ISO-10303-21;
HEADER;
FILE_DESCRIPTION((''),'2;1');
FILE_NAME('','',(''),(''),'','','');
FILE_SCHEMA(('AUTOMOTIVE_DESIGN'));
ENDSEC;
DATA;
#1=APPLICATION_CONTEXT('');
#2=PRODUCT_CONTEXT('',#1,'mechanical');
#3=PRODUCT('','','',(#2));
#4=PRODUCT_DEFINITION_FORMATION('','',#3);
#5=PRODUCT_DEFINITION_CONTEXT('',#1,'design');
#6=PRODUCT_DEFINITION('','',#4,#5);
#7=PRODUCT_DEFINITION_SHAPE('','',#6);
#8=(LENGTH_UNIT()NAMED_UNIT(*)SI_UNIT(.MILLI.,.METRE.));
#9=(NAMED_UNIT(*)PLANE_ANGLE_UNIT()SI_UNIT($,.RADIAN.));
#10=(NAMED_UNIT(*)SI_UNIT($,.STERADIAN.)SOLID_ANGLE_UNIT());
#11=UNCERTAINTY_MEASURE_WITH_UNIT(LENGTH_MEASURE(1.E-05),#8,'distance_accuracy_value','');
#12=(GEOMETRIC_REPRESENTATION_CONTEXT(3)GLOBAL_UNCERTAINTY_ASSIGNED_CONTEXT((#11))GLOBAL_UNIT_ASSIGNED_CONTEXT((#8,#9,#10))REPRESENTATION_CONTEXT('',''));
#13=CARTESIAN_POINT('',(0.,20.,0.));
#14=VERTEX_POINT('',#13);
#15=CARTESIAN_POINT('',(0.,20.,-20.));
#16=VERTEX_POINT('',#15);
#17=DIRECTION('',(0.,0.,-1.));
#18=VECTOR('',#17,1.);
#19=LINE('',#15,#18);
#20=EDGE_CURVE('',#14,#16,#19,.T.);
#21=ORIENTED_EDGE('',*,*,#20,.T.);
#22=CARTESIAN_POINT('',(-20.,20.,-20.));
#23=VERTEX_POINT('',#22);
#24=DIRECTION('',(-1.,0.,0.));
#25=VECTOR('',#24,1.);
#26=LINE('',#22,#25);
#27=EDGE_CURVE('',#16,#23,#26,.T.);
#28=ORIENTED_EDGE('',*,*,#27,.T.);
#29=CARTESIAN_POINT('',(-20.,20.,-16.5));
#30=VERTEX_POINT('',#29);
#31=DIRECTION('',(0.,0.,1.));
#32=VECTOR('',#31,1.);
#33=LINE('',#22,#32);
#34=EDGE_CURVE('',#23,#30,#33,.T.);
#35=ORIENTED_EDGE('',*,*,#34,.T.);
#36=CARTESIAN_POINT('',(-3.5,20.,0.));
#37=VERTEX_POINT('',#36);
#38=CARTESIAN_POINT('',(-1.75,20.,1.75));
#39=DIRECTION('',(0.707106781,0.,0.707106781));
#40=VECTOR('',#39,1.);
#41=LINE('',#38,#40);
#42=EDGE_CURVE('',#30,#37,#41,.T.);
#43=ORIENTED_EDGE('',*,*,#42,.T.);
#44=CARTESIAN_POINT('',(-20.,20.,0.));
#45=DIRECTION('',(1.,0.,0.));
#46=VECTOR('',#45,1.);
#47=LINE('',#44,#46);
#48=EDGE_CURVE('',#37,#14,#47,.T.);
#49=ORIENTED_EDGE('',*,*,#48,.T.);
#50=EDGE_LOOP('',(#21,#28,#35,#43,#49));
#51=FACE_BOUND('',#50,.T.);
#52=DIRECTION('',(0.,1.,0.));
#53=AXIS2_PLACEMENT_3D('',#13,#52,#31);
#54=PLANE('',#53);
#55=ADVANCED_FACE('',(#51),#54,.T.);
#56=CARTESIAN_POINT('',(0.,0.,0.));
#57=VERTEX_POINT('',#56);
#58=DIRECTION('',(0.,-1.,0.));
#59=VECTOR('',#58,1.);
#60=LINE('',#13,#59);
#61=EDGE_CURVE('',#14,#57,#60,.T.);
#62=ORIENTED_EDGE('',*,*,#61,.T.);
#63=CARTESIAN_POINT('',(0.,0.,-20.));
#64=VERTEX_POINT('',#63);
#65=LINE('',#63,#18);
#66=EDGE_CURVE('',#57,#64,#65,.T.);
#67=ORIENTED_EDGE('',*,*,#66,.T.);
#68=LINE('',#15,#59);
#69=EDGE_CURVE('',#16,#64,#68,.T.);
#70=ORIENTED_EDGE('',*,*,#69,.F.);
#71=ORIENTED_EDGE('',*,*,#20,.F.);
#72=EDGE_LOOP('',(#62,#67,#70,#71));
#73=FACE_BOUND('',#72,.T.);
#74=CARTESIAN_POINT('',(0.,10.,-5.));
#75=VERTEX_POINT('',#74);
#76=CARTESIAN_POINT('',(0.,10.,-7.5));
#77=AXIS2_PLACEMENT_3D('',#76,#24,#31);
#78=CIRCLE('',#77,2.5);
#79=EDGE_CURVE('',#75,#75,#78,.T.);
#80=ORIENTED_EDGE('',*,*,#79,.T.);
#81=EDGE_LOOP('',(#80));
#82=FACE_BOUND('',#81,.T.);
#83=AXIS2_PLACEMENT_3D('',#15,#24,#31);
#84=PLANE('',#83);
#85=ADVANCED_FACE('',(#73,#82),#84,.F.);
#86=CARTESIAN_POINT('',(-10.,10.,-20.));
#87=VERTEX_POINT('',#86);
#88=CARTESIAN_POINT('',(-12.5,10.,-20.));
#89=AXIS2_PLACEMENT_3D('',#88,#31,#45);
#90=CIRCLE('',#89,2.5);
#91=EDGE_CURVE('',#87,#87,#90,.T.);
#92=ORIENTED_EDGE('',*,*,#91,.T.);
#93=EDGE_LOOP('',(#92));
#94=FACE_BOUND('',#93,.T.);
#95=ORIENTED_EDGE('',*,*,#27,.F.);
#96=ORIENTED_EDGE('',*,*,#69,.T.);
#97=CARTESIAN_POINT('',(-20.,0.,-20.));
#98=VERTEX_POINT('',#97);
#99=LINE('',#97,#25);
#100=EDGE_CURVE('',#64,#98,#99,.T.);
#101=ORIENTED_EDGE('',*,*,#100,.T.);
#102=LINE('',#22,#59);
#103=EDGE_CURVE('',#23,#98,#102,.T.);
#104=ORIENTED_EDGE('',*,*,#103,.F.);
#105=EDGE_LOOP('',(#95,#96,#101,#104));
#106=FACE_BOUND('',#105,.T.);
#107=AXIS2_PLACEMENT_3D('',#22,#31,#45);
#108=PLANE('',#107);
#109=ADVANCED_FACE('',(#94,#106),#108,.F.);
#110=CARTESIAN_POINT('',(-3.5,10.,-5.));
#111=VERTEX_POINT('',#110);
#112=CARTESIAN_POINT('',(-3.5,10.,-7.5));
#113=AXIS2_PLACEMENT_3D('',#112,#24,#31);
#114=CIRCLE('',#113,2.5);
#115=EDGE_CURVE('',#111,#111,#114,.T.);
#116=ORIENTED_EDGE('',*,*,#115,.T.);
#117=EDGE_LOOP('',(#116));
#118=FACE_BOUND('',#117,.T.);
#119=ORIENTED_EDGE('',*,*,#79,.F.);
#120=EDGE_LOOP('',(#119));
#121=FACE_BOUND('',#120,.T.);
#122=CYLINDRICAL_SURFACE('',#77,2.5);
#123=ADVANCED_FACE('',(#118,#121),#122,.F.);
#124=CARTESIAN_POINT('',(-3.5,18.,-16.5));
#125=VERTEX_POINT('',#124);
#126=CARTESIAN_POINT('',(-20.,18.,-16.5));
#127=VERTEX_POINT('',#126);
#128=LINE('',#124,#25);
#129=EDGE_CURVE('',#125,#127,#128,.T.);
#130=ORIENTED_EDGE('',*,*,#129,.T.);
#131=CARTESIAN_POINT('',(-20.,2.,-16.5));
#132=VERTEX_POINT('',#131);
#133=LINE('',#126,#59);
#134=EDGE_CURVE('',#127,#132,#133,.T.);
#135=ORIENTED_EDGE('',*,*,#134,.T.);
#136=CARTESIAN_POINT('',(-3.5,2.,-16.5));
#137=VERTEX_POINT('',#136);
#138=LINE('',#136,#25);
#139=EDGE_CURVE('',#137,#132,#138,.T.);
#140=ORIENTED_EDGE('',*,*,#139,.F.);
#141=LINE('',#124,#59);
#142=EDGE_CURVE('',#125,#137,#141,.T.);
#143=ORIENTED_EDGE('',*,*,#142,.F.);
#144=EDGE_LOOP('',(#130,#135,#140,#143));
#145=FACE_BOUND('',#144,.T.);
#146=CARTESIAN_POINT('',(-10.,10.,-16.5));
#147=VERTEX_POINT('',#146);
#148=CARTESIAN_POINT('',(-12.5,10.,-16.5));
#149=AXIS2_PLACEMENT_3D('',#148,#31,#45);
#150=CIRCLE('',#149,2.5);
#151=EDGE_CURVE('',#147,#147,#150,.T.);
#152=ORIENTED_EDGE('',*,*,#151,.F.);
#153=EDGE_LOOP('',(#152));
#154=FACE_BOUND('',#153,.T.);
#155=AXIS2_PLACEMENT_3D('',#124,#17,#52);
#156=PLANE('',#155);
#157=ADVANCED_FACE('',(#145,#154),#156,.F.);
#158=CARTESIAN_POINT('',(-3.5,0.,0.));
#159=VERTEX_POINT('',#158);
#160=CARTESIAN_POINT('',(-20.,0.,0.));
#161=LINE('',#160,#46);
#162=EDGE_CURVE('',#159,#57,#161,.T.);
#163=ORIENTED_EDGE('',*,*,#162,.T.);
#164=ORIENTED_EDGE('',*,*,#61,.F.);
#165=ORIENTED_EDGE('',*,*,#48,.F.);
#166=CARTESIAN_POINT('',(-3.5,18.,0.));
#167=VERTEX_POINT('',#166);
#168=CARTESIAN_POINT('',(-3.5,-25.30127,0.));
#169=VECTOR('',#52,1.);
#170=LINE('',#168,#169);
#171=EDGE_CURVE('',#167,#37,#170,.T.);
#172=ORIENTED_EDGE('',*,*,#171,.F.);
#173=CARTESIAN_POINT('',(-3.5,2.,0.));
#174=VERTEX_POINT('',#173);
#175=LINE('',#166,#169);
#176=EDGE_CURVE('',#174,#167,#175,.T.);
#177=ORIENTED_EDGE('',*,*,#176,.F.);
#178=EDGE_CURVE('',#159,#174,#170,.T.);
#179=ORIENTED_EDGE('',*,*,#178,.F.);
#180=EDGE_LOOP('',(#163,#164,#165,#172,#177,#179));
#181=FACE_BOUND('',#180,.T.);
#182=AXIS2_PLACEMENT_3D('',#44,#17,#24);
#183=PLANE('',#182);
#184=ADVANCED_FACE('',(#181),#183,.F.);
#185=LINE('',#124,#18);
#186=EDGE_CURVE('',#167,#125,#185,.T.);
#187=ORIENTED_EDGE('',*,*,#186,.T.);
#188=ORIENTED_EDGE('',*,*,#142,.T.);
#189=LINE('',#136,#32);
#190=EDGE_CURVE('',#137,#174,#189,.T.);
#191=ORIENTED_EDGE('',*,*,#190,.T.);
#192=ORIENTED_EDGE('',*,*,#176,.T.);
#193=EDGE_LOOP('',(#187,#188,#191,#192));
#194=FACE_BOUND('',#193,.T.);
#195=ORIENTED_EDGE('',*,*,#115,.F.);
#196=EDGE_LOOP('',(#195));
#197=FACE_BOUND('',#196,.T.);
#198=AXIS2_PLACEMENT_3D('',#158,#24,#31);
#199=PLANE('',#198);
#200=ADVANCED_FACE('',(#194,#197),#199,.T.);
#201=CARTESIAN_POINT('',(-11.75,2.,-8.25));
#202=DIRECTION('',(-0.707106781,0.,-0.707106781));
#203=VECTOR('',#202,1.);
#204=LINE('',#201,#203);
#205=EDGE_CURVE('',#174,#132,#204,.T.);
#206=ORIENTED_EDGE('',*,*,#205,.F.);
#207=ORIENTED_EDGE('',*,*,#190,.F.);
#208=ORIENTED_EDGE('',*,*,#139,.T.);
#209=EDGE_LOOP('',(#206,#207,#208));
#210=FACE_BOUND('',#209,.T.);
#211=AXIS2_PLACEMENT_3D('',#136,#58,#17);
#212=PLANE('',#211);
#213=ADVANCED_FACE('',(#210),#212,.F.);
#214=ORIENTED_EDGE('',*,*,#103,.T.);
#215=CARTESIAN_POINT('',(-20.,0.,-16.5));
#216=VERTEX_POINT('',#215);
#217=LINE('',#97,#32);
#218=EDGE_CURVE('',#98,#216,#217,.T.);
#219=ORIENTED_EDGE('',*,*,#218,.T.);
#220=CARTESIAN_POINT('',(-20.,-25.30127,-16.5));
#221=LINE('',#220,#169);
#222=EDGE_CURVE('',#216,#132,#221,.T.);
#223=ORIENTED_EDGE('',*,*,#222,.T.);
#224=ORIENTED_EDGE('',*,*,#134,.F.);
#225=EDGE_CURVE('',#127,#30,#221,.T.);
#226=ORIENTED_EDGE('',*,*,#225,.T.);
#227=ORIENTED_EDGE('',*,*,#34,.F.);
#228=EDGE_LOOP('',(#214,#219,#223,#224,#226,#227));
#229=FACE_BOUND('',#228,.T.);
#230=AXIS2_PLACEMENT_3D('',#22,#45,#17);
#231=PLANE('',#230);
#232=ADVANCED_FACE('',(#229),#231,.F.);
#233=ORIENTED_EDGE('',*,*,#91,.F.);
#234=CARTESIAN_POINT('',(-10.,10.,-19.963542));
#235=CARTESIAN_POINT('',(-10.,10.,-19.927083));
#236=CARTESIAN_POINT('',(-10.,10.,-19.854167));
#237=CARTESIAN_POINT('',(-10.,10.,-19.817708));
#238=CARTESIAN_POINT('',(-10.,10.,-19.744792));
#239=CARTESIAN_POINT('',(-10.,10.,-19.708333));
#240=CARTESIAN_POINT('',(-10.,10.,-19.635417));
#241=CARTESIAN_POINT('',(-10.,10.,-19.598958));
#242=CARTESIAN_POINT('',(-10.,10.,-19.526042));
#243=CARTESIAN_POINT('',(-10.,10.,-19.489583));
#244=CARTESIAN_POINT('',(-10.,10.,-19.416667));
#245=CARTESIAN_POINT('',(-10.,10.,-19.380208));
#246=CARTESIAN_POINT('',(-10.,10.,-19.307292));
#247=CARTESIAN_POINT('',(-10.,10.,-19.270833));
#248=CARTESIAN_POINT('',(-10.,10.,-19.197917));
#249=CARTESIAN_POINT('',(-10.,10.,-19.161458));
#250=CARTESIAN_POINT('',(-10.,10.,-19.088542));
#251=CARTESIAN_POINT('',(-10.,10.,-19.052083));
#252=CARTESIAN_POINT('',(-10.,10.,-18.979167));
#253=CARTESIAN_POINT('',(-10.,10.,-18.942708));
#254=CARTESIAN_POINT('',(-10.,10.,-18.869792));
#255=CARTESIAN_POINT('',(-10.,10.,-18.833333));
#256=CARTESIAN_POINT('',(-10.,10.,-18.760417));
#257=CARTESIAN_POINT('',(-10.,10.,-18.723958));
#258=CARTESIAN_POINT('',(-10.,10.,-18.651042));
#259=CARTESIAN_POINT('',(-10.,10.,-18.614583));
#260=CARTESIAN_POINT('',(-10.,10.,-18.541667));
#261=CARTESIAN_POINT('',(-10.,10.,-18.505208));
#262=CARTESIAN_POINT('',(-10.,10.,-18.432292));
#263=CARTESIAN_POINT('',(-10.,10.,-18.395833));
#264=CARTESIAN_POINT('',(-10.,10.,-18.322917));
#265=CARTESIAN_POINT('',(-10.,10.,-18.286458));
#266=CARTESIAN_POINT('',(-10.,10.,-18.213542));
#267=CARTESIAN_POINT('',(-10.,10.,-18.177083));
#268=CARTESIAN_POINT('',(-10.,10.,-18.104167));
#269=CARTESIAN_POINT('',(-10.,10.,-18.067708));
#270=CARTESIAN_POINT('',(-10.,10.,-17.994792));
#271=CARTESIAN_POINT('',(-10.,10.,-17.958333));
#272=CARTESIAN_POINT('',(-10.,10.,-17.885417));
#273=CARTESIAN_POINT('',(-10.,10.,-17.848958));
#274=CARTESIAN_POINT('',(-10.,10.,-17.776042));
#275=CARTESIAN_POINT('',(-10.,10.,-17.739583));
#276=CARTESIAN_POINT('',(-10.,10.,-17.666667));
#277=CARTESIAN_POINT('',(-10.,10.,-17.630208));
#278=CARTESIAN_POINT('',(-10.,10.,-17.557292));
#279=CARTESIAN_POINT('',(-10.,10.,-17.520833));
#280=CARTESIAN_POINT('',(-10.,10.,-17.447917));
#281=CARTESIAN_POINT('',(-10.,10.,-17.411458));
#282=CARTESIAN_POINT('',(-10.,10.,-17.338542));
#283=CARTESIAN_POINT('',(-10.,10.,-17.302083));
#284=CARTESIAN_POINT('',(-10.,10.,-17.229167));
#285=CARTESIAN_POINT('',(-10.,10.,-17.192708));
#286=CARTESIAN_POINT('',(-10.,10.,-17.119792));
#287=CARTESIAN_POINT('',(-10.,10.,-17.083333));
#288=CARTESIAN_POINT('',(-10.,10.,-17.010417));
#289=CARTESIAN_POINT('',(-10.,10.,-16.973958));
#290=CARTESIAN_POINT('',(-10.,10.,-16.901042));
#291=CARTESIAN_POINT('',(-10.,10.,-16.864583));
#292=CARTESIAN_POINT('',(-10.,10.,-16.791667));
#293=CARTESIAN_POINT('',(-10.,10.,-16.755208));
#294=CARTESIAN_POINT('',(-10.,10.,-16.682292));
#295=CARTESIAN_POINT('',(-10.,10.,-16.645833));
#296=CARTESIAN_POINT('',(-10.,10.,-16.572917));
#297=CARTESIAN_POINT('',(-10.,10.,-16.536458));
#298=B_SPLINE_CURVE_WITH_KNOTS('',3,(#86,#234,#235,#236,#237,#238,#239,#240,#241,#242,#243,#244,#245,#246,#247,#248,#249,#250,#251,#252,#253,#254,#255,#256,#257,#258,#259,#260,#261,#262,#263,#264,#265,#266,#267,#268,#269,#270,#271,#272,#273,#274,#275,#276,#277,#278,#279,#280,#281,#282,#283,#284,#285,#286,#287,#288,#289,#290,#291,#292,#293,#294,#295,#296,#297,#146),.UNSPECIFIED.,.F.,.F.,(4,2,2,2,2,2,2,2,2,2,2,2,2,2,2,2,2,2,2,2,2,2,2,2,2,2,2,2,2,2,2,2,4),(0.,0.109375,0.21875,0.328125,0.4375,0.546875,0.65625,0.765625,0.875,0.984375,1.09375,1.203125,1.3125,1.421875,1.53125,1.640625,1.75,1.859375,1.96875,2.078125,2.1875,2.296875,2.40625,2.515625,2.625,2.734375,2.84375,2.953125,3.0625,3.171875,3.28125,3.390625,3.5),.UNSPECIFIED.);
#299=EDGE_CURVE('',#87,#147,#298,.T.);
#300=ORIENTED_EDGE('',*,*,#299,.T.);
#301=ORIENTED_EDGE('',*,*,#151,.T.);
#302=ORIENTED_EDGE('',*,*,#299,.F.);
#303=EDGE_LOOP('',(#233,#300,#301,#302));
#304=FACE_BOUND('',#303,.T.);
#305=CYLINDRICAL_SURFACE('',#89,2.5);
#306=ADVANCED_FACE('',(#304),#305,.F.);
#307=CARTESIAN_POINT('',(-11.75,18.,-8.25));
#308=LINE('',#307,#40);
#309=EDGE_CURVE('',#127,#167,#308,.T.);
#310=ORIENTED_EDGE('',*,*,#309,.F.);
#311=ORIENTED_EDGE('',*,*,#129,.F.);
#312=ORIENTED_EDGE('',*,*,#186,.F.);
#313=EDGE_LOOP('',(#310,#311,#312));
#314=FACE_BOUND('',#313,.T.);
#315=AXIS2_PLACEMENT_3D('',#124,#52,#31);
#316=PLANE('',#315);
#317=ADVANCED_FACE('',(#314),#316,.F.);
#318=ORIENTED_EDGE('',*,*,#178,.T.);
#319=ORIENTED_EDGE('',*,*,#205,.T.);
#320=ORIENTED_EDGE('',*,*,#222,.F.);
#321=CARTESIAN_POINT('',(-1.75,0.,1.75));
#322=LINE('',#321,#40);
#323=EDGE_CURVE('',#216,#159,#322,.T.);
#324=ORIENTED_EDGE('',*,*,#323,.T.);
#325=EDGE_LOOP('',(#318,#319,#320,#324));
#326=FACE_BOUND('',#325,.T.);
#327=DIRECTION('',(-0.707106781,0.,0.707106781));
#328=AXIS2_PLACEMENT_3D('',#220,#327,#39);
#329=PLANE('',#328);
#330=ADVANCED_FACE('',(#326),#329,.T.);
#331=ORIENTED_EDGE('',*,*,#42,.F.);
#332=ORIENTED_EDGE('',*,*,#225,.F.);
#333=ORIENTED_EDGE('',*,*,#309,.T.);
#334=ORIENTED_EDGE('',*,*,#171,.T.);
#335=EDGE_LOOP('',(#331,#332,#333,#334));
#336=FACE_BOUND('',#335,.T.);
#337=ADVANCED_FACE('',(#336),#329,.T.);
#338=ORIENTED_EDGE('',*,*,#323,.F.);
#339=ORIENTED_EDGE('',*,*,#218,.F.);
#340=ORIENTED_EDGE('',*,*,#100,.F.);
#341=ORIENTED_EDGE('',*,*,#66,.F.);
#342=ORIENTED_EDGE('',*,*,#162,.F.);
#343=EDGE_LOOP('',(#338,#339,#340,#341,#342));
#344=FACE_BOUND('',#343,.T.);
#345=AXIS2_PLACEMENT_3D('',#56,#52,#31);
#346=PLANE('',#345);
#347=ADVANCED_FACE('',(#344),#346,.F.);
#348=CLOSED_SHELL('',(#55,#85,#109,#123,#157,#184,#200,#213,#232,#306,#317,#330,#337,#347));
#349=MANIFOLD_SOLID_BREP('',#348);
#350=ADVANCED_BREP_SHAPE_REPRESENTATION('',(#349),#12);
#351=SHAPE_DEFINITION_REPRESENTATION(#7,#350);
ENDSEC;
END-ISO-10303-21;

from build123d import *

# Parameters (mm, degrees)
SKETCH1_W               = 20
SKETCH1_H               = 20
BOSS_EXTRUDE1_DEPTH     = 20
SKETCH2_W               = 16.5
SKETCH2_H               = 16
CUT_EXTRUDE1_DEPTH      = 16.5
CUT_EXTRUDE2_DEPTH      = 34.526109228
CUT_EXTRUDE2_DEPTH_BACK = 34.526109228
CUT_EXTRUDE3_DEPTH      = 33.74522866
CUT_EXTRUDE3_DEPTH_BACK = 33.74522866
SKETCH4_R               = 2.5
CUT_EXTRUDE4_DEPTH      = 33.74522866
CUT_EXTRUDE4_DEPTH_BACK = 33.74522866
SKETCH5_R               = 2.5


with BuildPart() as part:
    # Sketch1 → Boss-Extrude1 (new body)
    with BuildSketch(Plane(origin=(0, 0, 0), x_dir=(1, 0, 0), z_dir=(0, 1, 0))):
        with Locations((-10, 10)):
            Rectangle(SKETCH1_W, SKETCH1_H)
    extrude(amount=BOSS_EXTRUDE1_DEPTH)

    # Sketch2 → Cut-Extrude1 (cut)
    with BuildSketch(Plane.ZY.offset(20)):
        with Locations((-8.25, 10)):
            Rectangle(SKETCH2_W, SKETCH2_H)
    extrude(amount=-CUT_EXTRUDE1_DEPTH, mode=Mode.SUBTRACT)

    # Sketch3 → Cut-Extrude2 (cut, two sides: drawn at the far end of the back side and taken through both)
    with BuildSketch(Plane(origin=(0, 18, 0), x_dir=(-1, 0, 0), z_dir=(0, -1, 0)).offset(-CUT_EXTRUDE2_DEPTH_BACK)):
        Polygon((63.738492046, 60.238492046), (20, 16.5), (3.5, 0), (-40.238492046, -43.738492046), (47.238492046, -131.215476139), (151.215476139, -27.238492046), align=None)
    extrude(amount=CUT_EXTRUDE2_DEPTH + CUT_EXTRUDE2_DEPTH_BACK, mode=Mode.SUBTRACT)

    # Sketch4 → Cut-Extrude3 (cut, two sides: drawn at the far end of the back side and taken through both)
    with BuildSketch(Plane.ZY.offset(3.5).offset(-CUT_EXTRUDE3_DEPTH_BACK)):
        with Locations((-7.5, 10)):
            Circle(SKETCH4_R)
    extrude(amount=CUT_EXTRUDE3_DEPTH + CUT_EXTRUDE3_DEPTH_BACK, mode=Mode.SUBTRACT)

    # Sketch5 → Cut-Extrude4 (cut, two sides: drawn at the far end of the back side and taken through both)
    with BuildSketch(Plane.XY.offset(-16.5).offset(-CUT_EXTRUDE4_DEPTH_BACK)):
        with Locations((-12.5, 10)):
            Circle(SKETCH5_R)
    extrude(amount=CUT_EXTRUDE4_DEPTH + CUT_EXTRUDE4_DEPTH_BACK, mode=Mode.SUBTRACT)


solid = part.part
